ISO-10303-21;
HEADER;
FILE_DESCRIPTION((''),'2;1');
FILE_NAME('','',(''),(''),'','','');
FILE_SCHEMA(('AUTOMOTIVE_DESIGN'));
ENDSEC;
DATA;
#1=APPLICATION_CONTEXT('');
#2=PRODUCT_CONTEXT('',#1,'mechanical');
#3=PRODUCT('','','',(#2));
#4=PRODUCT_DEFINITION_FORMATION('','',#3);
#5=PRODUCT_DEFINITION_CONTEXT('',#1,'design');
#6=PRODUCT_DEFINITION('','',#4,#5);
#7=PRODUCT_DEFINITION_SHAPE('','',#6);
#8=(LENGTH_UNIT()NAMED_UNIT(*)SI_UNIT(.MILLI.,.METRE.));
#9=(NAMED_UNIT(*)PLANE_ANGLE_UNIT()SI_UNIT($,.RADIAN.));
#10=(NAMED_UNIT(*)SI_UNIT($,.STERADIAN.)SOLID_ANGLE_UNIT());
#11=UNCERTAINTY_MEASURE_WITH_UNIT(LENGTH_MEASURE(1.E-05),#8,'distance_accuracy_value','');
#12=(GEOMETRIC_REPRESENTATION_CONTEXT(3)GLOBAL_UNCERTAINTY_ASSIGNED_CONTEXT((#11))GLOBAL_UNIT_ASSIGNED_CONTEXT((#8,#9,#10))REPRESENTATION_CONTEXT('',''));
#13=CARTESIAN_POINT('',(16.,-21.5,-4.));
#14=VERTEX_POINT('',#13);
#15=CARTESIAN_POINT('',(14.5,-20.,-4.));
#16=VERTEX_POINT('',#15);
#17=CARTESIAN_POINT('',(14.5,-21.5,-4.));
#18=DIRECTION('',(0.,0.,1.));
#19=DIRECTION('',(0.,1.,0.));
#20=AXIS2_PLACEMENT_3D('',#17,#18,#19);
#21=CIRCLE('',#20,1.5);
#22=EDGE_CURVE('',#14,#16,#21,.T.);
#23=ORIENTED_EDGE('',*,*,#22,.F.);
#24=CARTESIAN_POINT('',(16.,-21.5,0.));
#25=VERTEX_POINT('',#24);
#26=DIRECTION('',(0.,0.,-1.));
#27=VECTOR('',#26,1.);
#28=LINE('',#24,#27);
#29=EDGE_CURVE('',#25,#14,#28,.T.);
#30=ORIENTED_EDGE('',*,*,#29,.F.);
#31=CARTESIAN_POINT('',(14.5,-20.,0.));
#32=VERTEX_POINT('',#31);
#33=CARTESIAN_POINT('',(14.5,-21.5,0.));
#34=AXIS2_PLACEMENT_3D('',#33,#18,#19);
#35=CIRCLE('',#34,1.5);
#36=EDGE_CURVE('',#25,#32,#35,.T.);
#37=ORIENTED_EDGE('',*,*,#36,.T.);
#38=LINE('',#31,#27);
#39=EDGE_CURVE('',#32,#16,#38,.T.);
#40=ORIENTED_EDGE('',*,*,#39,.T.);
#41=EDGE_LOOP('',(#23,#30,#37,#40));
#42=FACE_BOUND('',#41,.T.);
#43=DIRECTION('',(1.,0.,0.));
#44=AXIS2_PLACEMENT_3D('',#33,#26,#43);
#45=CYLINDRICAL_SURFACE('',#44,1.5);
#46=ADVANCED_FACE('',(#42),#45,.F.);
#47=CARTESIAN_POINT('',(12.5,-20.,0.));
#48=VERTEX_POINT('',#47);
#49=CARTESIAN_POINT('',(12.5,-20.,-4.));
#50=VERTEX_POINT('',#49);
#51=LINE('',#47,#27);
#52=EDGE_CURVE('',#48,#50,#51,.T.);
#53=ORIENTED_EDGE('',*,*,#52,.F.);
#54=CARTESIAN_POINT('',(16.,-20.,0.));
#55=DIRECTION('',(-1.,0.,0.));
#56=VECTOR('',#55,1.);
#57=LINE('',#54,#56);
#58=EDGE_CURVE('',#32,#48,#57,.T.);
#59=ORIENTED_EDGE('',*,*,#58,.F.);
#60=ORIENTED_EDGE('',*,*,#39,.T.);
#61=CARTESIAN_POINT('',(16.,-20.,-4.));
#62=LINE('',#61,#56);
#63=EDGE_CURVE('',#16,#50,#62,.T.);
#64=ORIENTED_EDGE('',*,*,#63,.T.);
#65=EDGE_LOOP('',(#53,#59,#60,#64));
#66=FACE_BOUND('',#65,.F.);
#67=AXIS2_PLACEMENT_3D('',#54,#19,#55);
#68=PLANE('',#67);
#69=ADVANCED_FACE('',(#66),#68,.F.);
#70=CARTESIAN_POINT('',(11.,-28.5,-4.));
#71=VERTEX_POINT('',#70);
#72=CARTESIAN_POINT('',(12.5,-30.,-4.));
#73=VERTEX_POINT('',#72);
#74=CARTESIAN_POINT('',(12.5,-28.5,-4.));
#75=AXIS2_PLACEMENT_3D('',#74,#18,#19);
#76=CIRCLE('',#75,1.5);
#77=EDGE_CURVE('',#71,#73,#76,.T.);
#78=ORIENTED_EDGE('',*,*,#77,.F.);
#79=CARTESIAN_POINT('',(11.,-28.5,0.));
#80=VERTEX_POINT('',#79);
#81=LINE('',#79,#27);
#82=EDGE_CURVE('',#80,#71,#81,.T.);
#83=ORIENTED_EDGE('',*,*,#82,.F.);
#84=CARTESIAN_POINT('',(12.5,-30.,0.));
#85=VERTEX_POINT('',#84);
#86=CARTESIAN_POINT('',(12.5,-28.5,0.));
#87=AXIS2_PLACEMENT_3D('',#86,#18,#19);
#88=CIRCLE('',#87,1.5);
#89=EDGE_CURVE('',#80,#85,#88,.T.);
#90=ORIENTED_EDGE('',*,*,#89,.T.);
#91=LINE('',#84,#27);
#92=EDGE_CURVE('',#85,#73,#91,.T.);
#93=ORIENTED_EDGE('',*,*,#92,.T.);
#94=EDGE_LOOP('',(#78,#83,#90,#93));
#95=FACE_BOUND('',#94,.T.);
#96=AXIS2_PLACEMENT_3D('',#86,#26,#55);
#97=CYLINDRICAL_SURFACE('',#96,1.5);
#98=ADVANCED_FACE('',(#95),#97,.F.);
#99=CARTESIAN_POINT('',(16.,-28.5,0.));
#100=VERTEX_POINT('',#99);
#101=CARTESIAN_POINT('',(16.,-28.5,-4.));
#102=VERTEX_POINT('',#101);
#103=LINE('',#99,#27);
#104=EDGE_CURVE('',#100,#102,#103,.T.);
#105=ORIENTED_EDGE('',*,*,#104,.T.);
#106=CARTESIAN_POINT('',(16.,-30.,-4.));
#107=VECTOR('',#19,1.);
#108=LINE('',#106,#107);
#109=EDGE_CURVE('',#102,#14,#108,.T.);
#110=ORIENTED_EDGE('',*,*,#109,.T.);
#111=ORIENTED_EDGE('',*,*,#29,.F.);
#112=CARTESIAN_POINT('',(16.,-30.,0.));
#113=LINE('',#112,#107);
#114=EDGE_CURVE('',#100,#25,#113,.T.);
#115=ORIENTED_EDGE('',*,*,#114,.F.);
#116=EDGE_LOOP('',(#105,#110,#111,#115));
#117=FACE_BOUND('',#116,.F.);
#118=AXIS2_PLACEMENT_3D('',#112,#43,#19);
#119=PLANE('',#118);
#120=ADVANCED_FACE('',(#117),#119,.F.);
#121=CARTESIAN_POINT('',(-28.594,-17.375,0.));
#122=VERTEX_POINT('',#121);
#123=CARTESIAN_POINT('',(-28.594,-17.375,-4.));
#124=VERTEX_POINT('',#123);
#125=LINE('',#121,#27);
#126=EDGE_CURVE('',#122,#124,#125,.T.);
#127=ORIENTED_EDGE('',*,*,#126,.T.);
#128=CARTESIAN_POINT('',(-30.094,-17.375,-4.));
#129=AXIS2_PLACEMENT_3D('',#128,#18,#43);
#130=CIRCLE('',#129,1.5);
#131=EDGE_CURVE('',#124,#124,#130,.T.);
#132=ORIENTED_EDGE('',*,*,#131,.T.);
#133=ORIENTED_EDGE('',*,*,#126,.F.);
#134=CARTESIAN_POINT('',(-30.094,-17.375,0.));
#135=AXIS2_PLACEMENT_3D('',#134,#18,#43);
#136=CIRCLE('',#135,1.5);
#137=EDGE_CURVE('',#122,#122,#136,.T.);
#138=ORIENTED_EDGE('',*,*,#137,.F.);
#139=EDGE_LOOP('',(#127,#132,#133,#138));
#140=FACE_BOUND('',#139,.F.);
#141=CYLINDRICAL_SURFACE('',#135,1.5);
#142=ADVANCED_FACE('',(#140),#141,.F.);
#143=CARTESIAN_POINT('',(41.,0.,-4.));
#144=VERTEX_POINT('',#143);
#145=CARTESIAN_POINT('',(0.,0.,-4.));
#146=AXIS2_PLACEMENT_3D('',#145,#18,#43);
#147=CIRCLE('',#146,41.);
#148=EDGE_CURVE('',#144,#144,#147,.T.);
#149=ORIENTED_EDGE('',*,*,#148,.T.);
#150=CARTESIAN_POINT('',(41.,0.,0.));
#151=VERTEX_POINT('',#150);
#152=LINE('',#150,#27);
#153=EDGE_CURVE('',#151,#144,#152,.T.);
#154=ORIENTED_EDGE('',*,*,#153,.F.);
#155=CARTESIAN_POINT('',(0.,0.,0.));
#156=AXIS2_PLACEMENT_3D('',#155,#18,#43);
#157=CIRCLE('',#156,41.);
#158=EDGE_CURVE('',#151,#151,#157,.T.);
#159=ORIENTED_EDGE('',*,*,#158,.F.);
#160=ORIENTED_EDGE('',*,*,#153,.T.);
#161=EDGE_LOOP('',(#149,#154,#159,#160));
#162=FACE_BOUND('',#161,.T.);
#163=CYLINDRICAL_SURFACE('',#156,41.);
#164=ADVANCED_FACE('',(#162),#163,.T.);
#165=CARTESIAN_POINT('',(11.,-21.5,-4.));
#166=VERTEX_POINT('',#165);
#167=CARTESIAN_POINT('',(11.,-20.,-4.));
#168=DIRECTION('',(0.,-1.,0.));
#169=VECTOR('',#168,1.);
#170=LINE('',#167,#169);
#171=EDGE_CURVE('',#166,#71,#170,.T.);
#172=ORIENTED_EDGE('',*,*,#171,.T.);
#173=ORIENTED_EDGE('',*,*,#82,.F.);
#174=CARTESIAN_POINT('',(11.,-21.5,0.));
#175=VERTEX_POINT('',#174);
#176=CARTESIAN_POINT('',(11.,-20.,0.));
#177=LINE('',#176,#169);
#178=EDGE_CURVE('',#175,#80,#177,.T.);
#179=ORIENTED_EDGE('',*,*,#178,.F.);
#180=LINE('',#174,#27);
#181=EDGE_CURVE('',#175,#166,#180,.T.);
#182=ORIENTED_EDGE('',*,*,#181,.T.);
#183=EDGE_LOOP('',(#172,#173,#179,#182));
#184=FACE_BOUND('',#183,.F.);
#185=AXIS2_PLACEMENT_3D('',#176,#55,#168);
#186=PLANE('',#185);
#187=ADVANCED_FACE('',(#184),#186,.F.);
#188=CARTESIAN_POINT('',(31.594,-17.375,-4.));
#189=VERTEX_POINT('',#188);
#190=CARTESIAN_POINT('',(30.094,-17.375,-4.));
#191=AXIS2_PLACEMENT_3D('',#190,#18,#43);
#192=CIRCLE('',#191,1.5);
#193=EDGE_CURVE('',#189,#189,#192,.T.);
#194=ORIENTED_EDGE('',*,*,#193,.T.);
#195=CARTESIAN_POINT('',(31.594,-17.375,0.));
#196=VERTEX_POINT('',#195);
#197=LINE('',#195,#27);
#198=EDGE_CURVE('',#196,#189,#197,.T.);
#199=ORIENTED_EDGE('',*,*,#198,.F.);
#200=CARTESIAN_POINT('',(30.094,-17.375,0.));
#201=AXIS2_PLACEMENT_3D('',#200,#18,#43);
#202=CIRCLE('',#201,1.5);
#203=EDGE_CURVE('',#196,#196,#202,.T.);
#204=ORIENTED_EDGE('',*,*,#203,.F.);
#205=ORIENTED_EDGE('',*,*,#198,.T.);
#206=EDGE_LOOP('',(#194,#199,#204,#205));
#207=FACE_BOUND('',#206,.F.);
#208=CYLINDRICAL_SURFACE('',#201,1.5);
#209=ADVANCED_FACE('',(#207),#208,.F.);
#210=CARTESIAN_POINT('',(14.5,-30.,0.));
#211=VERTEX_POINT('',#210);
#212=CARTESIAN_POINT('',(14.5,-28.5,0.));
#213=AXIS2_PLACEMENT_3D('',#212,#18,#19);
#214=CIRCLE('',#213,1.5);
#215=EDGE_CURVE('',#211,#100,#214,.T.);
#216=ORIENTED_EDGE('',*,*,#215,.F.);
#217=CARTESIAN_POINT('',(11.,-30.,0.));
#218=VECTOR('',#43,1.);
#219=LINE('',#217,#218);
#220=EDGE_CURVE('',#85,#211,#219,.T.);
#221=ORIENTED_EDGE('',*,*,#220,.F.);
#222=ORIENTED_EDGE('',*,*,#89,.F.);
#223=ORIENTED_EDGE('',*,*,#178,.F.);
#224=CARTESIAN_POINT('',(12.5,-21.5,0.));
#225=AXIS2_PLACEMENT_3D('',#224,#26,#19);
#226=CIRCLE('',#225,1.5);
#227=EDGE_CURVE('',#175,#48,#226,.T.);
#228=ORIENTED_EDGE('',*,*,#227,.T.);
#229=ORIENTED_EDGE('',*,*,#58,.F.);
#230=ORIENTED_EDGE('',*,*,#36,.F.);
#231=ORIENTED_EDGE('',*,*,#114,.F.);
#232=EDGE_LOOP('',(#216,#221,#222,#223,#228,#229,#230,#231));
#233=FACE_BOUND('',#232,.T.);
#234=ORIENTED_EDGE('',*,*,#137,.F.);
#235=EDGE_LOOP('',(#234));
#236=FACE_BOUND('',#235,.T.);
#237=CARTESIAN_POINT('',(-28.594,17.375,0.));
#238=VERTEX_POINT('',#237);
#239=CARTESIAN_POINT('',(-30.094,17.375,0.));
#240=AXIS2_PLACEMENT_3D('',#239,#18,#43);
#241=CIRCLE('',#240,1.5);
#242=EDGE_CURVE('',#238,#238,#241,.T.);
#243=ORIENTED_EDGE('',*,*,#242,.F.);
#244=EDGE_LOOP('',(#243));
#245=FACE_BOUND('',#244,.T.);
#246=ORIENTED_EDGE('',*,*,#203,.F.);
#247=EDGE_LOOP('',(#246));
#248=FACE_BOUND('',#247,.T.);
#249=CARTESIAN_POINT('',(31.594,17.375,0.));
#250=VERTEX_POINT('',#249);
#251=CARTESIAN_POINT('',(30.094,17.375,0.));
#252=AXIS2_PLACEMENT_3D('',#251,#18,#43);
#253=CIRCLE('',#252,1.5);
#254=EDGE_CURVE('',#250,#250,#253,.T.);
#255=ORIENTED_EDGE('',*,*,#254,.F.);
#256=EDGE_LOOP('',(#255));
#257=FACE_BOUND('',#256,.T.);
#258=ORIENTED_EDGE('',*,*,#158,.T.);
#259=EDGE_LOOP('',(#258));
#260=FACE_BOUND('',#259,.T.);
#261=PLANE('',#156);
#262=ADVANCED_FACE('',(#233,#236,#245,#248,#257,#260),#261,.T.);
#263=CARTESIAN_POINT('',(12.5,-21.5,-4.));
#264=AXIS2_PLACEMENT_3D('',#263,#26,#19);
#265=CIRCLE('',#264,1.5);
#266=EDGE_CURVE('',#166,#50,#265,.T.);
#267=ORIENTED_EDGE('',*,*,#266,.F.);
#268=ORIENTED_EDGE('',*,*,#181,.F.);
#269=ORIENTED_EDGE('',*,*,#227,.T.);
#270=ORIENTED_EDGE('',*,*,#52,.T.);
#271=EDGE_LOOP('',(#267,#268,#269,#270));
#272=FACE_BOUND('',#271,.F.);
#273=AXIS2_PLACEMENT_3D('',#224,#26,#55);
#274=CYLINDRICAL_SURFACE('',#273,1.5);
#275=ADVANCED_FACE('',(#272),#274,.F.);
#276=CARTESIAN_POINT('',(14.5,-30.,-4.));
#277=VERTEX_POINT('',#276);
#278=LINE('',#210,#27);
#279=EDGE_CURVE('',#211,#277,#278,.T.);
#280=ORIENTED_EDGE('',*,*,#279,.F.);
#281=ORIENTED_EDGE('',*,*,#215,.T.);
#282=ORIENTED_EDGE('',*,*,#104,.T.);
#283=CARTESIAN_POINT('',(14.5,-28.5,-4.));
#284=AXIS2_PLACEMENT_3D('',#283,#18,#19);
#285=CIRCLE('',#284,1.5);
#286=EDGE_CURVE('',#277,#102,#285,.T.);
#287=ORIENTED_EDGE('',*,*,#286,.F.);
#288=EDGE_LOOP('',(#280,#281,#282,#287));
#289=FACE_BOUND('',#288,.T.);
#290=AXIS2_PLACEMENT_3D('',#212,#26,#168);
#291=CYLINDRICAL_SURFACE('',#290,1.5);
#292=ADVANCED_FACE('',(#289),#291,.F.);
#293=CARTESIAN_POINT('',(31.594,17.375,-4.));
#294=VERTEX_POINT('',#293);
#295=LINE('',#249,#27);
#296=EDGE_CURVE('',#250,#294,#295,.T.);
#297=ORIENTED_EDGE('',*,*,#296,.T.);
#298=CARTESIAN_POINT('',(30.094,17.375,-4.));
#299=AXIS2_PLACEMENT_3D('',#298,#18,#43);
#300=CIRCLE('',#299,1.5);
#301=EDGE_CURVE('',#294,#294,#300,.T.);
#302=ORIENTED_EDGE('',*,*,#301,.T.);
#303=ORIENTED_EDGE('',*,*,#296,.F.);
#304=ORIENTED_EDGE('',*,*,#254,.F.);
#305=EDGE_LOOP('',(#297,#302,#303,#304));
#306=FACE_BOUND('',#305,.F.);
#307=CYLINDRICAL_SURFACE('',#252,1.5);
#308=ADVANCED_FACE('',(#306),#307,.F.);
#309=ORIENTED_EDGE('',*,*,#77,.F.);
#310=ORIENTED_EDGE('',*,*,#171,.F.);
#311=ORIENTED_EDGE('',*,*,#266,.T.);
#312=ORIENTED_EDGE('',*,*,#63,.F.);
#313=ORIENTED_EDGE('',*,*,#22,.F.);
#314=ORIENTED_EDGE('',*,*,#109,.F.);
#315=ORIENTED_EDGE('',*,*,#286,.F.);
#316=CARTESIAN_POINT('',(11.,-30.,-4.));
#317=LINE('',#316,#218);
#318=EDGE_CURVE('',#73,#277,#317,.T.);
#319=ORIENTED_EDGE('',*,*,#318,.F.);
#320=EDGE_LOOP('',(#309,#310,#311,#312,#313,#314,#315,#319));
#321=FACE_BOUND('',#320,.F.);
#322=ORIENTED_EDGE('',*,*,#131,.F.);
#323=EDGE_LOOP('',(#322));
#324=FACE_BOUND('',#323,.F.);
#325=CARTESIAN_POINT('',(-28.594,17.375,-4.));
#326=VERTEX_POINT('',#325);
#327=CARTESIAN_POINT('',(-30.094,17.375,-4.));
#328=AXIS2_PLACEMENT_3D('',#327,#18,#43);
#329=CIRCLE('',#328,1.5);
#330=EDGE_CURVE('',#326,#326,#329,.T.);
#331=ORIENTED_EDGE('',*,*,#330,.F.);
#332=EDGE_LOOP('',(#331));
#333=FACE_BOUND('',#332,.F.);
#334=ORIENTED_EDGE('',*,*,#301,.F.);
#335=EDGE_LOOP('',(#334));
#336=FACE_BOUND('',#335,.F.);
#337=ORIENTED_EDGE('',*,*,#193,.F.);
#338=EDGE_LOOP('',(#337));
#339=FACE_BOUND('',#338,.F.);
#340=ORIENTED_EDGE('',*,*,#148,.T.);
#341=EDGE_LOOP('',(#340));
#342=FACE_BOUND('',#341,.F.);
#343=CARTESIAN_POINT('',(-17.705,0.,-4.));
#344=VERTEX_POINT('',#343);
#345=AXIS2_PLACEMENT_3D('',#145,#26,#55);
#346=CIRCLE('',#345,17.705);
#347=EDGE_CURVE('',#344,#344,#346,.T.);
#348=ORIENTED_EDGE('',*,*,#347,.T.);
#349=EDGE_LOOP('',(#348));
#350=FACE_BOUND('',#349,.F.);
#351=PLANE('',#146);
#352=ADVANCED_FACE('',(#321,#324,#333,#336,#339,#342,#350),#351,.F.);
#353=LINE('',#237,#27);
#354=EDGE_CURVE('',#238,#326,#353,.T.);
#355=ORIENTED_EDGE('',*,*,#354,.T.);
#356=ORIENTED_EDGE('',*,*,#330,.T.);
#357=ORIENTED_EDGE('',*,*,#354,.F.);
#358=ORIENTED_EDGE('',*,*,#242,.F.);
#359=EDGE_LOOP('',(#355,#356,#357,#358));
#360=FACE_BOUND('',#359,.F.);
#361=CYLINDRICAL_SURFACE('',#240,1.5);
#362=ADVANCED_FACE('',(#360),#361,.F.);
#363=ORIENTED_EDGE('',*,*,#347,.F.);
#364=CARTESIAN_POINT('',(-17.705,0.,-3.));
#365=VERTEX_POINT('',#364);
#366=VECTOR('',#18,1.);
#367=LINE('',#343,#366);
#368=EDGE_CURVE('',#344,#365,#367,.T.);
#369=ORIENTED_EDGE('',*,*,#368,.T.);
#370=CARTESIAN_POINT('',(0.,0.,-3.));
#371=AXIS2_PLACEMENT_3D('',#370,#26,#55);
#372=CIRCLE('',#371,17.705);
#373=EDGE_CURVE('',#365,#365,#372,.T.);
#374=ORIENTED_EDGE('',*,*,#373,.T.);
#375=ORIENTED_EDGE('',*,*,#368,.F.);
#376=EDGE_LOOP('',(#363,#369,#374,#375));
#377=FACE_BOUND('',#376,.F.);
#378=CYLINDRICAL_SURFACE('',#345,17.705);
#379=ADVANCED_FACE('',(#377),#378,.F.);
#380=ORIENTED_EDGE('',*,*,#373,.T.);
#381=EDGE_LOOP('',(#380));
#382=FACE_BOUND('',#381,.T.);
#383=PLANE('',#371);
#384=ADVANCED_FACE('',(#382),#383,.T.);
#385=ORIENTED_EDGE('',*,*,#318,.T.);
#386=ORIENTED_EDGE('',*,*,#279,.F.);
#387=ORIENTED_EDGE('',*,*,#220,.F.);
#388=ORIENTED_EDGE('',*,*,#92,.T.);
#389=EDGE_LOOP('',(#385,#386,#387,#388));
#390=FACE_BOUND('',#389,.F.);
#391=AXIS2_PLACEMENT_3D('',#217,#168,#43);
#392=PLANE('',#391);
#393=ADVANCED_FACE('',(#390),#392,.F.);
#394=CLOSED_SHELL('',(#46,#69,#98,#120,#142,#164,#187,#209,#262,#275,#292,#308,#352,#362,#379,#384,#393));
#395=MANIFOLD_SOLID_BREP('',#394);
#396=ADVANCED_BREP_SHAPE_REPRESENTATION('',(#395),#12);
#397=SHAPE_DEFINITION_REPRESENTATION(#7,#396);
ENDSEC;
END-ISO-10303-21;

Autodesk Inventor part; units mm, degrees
ref_plane "YZ Plane" through (0, 0, 0) normal (1, 0, 0) x (0, 1, 0)
sketch "Sketch1" plane through (0, 0, 0) normal (0, 0, 1) x (1, 0, 0)
  circle A0 centre (0, 0) radius 41
  circle A1 centre (0, 0) radius 17.705
  circle A2 centre (0, 0) radius 15
  circle A3 centre (0, 15) radius 0.75
  circle A4 centre (-10.6066, 10.6066) radius 0.75
  circle A5 centre (-15, 0) radius 0.75
  circle A6 centre (-10.6066, -10.6066) radius 0.75
  circle A7 centre (0, -15) radius 0.75
  circle A8 centre (10.6066, -10.6066) radius 0.75
  circle A9 centre (15, 0) radius 0.75
  circle A10 centre (10.6066, 10.6066) radius 0.75
  dimension "d4" = 30
  dimension "d0" = 82
  dimension "d3" = 35.41
  dimension "d5" = 1.5
  dimension "d6" = 360
sketch "Sketch2" plane through (0, 0, 0) normal (0, 0, 1) x (1, 0, 0)
  circle A0 centre (-30.094, -17.375) radius 1.5
  circle A1 centre (-30.094, 17.375) radius 1.5
  circle A2 centre (30.094, 17.375) radius 1.5
  circle A3 centre (30.094, -17.375) radius 1.5
  point P0 (0, 0)
  dimension "d7" = 3
  dimension "d8" = 3
  dimension "d9" = 3
  dimension "d10" = 3
  dimension "d11" = 17.375
  dimension "d12" = 30.094
  dimension "d13" = 30.094
  dimension "d14" = 17.375
  dimension "d15" = 17.375
  dimension "d16" = 30.094
  dimension "d17" = 17.375
  dimension "d18" = 30.094
extrude "Extrusion1" add sketch "Sketch1" against normal blind 4 contours A0 | A1 | A2 A9 | A2 A9 | A9 A2 A8 A7 A6 A5 A4 A3 A10 | A10 A2 | A2 A10 | A8 A2 | A2 A8 | A3 A2 | A2 A3 | A7 A2 | A2 A7 | A4 A2 | A2 A4 | A6 A2 | A2 A6 | A5 A2 | A2 A5
extrude "Extrusion2" cut sketch "Sketch2" against normal blind 4
ref_plane "Work Plane1" through (0, 0, -4) normal (0, 0, 1) x (1, 0, 0)
ref_plane "Work Plane2" through (0, 0, -4) normal (0, 0, 1) x (1, 0, 0)
ref_plane "Work Plane3" through (0, 0, 0) normal (0, 0, 1) x (1, 0, 0)
sketch "Sketch5" plane through (0, 0, 0) normal (0, 0, 1) x (1, 0, 0)
  line L0 (11, -30) -> (16, -30)
  line L1 (16, -30) -> (16, -20)
  line L2 (16, -20) -> (11, -20)
  line L3 (11, -20) -> (11, -30)
  point P0 (0, 0)
  point P1 (13.5, -20)
  point P2 (13.5, -30)
  point P3 (16, -25)
  dimension "d44" = 5
  dimension "d45" = 10
  dimension "d54" = 11
  dimension "d55" = 20
extrude "Extrusion5" cut sketch "Sketch5" against normal blind 4
fillet "Fillet1" radius 1.5 4 edges at (11, -20, -2) (11, -30, -2) (16, -20, -2) (16, -30, -2)
ref_plane "Work Plane4" through (0, 0, 0) normal (0, 0, 1) x (1, 0, 0)
ref_plane "Work Plane5" through (0, 0, -4) normal (0, 0, -1) x (-1, 0, 0)
sketch "Sketch7" plane through (0, 0, -4) normal (0, 0, -1) x (-1, 0, 0)
  circle A0 centre (0, 0) radius 17.705
  circle A1 centre (0, 0) radius 15
  circle A2 centre (0, 15) radius 2.5
  circle A3 centre (-10.6066, 10.6066) radius 2.5
  circle A4 centre (-15, 0) radius 2.5
  circle A5 centre (-10.6066, -10.6066) radius 2.5
  circle A6 centre (0, -15) radius 2.5
  circle A7 centre (10.6066, -10.6066) radius 2.5
  circle A8 centre (15, 0) radius 2.5
  circle A9 centre (10.6066, 10.6066) radius 2.5
  circle A10 centre (0, 0) radius 4.25
  circle A11 centre (0, 0) radius 2.5
  point P0 (0, 0)
  point P1 (0, 0)
  point P2 (0, -4)
  point P3 (0, -19)
  dimension "d60" = 35.41
  dimension "d61" = 5
  dimension "d62" = 360
  dimension "d63" = 8.5
  dimension "d64" = 5
  dimension "d65" = 15
  dimension "d66" = 15
extrude "Extrusion6" cut sketch "Sketch7" against normal blind 1 contours A0 | A1 A8 | A1 A8 | A8 A1 A7 A6 A5 A4 A3 A2 A9 | A9 A1 | A1 A9 | A7 A1 | A1 A7 | A2 A1 | A1 A2 | A6 A1 | A1 A6 | A3 A1 | A1 A3 | A5 A1 | A1 A5 | A4 A1 | A1 A4 | A10 | A11
properties part number "lower-plate_3DPrint"
